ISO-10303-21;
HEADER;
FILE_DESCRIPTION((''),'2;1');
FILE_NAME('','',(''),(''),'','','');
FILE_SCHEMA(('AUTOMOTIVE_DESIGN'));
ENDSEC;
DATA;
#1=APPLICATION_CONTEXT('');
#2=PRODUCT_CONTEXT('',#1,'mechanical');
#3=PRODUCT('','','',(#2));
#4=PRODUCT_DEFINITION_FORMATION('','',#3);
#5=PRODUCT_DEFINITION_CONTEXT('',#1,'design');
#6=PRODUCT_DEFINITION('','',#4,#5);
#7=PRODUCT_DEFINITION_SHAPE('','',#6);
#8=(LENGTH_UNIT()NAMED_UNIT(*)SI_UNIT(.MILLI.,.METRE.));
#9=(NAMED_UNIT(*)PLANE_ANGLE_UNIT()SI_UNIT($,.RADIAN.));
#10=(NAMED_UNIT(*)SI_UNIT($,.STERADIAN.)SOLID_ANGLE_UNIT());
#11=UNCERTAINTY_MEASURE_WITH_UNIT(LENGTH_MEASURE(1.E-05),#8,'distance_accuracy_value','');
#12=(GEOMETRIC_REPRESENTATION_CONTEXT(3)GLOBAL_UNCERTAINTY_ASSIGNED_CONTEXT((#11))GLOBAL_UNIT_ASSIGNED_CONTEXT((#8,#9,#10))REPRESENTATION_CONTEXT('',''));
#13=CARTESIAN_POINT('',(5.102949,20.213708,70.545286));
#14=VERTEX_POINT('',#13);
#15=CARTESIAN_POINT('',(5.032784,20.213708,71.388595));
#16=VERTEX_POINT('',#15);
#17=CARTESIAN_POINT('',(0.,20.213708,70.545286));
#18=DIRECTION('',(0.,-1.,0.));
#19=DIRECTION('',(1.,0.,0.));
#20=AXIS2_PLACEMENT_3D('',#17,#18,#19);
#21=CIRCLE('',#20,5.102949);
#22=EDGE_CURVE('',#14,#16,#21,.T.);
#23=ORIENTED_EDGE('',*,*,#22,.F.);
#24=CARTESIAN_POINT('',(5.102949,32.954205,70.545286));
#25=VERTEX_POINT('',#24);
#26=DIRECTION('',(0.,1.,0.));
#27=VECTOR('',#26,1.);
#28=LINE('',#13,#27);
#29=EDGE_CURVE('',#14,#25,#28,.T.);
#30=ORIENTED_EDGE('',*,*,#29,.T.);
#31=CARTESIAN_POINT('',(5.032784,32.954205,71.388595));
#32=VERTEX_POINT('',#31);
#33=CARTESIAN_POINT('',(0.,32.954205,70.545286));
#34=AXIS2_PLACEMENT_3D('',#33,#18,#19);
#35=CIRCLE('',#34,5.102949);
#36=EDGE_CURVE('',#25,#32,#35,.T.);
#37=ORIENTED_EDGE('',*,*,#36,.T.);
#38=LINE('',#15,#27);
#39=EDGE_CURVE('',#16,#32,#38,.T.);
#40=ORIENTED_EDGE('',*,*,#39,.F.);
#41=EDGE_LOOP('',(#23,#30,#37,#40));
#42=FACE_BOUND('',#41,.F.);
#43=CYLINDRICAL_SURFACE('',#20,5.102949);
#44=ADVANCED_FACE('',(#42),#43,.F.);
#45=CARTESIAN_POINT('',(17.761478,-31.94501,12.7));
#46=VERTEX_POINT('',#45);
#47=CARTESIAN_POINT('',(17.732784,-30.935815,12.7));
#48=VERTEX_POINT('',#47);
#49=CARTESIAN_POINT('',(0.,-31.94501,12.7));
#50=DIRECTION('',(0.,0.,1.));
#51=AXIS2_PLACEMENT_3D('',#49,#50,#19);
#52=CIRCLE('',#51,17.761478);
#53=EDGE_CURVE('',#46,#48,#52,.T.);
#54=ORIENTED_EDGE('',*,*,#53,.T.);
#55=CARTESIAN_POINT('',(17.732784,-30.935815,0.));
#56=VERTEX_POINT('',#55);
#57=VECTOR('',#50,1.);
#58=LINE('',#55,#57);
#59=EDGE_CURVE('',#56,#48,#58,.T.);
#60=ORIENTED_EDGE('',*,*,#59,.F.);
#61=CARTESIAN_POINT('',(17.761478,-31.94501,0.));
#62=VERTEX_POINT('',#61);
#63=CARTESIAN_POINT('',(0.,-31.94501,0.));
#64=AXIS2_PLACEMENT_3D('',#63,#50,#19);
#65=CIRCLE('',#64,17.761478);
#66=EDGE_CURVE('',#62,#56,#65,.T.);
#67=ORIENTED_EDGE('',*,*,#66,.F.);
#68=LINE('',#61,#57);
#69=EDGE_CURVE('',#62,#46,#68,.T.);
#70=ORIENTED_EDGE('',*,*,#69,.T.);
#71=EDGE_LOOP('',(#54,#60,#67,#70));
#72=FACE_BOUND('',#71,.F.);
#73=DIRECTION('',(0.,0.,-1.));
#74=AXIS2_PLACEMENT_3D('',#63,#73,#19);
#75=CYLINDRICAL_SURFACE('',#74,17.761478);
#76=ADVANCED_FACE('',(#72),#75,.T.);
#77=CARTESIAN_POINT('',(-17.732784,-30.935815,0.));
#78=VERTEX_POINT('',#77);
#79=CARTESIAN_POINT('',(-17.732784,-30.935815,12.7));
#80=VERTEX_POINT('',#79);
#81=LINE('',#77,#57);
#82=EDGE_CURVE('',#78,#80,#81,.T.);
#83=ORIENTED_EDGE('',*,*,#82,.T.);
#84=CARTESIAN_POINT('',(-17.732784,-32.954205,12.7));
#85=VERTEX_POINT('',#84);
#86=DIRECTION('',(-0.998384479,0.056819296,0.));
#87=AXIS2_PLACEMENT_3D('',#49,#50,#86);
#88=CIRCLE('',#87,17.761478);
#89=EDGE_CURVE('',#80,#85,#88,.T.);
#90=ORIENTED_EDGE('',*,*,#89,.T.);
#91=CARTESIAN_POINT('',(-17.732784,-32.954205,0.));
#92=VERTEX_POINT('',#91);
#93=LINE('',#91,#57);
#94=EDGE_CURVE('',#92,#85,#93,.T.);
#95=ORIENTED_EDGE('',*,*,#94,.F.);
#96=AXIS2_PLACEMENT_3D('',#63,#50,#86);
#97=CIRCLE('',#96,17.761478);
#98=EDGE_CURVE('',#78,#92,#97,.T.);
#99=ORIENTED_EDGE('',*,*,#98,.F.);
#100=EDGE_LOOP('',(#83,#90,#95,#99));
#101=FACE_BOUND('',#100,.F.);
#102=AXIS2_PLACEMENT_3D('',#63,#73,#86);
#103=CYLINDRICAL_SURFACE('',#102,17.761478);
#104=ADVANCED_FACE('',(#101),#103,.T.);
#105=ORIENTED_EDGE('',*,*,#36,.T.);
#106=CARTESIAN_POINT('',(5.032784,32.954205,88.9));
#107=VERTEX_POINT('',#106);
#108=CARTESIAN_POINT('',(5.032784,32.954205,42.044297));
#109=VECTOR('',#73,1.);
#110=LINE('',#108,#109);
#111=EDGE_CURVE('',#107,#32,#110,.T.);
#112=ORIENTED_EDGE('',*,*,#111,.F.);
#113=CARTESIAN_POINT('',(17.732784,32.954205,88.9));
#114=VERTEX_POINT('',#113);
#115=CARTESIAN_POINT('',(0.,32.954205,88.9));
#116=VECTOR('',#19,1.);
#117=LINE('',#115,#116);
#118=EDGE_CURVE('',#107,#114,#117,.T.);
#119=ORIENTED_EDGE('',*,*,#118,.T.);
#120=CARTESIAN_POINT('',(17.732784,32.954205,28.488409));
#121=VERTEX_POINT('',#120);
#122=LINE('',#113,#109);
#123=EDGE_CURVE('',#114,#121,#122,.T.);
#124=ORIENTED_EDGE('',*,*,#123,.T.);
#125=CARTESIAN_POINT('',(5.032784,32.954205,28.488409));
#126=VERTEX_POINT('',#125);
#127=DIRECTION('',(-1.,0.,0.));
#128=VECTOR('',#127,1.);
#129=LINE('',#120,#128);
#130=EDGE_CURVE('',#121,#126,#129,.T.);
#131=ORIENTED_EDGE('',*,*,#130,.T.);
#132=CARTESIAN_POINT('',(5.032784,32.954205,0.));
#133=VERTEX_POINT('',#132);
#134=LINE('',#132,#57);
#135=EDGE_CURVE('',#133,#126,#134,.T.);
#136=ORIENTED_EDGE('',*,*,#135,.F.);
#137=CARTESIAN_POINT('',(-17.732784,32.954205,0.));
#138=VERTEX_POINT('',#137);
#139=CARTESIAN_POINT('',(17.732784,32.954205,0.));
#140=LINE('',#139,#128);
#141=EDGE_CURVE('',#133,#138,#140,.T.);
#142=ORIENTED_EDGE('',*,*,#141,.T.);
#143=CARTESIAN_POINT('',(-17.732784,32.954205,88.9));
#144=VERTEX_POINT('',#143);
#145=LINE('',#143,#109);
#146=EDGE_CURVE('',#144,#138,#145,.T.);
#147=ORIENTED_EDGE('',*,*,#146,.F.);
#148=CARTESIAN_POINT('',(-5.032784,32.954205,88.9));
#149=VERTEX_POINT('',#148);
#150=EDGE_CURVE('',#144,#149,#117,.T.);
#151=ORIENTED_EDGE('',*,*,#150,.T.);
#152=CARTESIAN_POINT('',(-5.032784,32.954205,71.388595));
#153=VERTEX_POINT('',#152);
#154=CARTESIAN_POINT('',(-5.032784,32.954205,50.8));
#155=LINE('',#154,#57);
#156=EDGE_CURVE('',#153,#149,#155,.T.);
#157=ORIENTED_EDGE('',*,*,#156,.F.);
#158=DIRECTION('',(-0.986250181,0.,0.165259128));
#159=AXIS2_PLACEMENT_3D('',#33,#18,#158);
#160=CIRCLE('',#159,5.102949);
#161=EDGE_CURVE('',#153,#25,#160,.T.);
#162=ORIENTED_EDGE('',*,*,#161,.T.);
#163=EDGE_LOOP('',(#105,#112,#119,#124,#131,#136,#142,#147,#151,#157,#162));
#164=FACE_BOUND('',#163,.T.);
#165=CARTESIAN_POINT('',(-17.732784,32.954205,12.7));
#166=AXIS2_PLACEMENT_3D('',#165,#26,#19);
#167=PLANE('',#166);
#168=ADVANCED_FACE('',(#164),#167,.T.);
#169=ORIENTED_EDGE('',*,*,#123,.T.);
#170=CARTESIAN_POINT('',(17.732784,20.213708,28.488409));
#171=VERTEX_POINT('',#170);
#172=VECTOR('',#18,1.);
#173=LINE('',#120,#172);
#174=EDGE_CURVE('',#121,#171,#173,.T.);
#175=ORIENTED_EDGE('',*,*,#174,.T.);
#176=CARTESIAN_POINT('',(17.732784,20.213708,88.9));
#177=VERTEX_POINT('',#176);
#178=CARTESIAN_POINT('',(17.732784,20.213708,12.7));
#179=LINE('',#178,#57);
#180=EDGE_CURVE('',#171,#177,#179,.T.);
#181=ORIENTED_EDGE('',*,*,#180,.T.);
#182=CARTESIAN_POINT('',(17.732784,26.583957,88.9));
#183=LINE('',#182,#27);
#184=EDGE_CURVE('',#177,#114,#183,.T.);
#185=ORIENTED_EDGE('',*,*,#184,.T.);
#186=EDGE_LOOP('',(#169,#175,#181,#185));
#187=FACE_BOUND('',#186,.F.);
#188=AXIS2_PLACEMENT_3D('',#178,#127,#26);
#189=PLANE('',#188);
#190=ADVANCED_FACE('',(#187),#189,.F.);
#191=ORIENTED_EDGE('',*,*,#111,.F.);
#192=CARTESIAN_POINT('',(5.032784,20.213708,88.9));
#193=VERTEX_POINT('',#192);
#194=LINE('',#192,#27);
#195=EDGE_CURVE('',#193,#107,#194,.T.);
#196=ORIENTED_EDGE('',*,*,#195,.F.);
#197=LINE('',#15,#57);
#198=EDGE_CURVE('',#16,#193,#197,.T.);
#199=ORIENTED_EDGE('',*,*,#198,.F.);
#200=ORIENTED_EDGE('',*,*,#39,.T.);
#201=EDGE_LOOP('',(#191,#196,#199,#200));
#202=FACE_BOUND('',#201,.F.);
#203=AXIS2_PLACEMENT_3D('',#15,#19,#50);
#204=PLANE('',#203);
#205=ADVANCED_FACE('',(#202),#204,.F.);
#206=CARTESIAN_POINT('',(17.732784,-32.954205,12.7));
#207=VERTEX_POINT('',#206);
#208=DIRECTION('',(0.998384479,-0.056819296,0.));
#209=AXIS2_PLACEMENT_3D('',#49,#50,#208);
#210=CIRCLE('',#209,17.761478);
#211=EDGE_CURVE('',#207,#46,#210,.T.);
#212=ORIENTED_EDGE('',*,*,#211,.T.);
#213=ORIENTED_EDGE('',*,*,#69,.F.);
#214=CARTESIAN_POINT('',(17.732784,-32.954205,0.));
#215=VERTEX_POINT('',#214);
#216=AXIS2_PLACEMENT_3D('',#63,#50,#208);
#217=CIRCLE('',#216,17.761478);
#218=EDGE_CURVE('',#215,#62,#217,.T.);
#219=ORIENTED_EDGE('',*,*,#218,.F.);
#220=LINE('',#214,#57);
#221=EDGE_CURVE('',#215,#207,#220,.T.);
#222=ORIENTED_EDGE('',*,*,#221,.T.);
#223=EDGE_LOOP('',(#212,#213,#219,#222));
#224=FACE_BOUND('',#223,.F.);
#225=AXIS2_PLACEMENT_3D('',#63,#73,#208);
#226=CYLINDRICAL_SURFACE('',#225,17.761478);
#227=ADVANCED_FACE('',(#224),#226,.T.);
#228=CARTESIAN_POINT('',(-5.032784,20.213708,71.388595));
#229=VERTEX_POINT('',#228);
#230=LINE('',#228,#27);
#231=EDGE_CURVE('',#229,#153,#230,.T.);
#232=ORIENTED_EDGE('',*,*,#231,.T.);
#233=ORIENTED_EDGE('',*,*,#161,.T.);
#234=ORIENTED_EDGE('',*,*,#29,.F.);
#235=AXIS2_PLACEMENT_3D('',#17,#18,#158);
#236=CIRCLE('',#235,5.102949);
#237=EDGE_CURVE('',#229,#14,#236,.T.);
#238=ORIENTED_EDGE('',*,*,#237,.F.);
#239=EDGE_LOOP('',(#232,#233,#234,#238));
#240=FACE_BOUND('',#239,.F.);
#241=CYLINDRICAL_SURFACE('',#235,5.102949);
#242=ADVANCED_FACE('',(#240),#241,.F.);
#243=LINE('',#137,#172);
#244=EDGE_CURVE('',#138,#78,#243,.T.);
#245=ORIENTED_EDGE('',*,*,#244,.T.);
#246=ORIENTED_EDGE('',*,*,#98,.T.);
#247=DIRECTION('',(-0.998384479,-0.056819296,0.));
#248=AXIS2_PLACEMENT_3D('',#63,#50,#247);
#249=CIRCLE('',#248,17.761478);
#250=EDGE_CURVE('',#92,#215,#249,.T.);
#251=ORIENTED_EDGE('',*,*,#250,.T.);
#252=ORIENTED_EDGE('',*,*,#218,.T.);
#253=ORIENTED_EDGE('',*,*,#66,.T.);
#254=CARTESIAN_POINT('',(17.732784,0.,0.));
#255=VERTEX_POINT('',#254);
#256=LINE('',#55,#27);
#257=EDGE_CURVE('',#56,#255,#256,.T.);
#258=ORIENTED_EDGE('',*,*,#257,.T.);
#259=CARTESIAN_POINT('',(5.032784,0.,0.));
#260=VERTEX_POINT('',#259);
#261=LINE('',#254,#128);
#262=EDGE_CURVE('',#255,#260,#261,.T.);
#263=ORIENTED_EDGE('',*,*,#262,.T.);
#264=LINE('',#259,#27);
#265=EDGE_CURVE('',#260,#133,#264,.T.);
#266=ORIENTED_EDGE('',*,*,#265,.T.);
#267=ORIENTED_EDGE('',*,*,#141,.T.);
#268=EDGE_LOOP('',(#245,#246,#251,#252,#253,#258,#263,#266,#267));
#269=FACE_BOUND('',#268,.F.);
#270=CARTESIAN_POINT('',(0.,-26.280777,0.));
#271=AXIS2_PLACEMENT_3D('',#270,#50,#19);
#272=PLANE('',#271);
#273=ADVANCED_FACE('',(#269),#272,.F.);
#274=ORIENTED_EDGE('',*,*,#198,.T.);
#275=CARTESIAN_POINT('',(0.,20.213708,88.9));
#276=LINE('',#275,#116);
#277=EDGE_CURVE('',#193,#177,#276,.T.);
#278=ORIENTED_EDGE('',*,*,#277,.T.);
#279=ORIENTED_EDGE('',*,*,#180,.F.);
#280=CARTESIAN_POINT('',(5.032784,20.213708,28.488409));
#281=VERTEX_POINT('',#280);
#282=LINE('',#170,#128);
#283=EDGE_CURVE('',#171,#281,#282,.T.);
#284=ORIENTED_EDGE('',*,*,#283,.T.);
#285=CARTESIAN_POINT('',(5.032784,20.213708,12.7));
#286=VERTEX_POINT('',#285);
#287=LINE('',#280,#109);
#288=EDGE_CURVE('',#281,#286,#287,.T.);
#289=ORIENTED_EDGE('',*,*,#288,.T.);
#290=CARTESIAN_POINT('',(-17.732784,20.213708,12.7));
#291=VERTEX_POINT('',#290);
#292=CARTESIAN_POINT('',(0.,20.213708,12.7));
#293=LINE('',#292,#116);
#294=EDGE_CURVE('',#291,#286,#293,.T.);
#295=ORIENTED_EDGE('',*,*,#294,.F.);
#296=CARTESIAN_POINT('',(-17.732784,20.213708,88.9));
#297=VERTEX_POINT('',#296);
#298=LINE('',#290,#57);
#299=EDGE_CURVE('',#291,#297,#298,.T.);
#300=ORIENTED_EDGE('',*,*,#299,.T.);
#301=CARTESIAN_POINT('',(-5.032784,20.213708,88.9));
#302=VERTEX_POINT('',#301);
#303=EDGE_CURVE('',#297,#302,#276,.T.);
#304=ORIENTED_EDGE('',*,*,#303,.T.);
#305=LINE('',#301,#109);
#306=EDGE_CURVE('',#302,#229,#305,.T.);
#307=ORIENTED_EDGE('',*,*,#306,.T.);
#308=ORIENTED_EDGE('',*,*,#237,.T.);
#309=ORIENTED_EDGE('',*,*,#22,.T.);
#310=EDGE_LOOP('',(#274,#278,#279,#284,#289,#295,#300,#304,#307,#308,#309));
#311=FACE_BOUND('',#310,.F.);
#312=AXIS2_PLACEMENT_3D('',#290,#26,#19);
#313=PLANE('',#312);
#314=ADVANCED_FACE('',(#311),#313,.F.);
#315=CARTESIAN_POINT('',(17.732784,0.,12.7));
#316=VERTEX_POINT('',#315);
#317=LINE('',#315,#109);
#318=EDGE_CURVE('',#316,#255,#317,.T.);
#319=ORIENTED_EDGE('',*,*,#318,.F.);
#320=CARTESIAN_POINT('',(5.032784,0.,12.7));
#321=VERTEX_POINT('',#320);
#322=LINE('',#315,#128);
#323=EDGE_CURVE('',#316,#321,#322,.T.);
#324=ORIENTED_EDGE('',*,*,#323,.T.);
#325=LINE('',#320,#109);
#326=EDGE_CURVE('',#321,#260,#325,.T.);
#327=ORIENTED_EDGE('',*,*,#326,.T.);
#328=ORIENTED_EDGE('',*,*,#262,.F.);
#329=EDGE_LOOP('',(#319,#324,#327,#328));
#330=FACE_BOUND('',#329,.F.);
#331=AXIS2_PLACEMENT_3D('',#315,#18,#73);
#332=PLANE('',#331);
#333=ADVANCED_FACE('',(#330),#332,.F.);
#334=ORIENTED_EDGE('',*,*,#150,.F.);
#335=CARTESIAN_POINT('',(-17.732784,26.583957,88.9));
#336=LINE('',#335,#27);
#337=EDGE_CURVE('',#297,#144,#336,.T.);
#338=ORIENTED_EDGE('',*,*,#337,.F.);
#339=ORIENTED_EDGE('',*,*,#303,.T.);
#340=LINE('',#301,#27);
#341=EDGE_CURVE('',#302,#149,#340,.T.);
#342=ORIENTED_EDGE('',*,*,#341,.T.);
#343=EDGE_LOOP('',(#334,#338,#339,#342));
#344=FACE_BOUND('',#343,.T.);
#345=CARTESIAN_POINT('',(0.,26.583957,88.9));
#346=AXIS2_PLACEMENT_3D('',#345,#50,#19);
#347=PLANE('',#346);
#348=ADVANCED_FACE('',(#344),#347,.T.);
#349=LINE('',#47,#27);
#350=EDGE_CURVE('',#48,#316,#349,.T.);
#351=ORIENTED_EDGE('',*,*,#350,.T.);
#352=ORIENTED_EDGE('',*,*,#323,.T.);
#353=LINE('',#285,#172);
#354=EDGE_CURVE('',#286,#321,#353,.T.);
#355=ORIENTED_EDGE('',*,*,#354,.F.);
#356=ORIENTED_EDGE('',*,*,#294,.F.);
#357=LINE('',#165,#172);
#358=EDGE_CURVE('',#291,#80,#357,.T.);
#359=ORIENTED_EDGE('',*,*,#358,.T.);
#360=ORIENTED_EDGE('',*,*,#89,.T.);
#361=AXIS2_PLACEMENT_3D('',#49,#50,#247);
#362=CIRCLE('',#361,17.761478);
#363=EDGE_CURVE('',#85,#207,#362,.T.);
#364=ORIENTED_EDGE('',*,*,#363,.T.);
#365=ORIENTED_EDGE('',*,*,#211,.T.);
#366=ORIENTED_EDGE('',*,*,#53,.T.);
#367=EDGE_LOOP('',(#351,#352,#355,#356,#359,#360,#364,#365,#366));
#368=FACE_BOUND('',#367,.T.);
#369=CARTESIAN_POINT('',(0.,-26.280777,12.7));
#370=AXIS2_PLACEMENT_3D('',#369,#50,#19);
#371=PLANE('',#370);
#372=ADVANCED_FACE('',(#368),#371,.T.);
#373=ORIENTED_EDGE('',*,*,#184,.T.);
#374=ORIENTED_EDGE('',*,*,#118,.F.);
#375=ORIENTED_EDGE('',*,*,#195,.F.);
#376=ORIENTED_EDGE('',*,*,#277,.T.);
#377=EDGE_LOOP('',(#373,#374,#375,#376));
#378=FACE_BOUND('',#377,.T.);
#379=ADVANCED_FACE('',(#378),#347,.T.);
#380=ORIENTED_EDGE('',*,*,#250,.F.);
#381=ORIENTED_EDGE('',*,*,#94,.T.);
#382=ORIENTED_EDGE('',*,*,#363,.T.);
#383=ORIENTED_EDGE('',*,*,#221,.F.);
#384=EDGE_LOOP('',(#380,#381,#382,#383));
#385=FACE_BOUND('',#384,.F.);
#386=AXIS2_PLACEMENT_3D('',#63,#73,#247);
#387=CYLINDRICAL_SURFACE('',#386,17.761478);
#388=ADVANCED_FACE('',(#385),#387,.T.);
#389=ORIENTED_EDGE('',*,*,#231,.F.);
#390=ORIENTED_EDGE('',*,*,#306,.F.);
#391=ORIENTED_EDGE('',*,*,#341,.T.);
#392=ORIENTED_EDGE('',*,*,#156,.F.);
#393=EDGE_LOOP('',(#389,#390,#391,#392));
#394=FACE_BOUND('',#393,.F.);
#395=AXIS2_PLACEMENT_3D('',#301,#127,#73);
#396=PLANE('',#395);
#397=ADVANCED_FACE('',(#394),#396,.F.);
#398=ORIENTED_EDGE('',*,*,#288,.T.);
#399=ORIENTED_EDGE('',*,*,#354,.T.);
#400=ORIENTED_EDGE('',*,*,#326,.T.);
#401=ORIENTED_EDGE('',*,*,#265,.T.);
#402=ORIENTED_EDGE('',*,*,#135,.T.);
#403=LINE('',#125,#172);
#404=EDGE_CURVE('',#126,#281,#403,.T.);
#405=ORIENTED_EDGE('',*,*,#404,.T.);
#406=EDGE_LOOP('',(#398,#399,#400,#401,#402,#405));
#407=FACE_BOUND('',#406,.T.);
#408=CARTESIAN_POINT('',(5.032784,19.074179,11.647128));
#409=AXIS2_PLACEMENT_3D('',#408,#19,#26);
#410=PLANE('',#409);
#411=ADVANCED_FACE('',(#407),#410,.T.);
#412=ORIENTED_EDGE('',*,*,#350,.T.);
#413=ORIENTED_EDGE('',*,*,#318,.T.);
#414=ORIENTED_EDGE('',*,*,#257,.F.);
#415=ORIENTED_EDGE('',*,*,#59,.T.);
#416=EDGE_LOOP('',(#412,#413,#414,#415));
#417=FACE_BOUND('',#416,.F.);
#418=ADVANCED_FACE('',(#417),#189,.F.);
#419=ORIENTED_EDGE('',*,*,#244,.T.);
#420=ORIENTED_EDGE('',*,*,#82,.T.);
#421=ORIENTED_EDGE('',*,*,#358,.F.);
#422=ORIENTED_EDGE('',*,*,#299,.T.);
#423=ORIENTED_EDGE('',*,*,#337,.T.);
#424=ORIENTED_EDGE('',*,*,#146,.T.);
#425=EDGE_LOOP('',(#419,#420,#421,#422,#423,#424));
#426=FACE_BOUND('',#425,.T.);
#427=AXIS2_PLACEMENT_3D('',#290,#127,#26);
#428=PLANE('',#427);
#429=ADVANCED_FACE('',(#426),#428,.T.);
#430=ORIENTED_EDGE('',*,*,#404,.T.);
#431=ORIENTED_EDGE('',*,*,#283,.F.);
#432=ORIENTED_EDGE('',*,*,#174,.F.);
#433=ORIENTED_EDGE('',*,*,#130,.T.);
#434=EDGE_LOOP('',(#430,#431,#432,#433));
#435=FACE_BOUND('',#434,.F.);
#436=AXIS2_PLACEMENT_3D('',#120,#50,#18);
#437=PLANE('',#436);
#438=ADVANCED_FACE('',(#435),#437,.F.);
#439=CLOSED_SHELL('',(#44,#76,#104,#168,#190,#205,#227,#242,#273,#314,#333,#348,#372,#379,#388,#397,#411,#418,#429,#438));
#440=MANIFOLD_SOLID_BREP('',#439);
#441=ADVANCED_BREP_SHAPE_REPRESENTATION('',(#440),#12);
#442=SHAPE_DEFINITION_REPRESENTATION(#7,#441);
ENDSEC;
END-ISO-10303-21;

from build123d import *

# Parameters (mm, degrees)
F1_DEPTH = 12.7
F2_W     = 35.4655683041
F2_H     = 12.740496546
F3_DEPTH = 76.2
F5_DEPTH = 25.4
F7_DEPTH = 12.7


with BuildPart() as f1:
    # F0 (on Top) → F1 (new body)
    with BuildSketch(Plane.XY):
        with BuildLine():
            Line((-17.732784152, -30.9358154462), (-17.732784152, -32.9542048275))
            Line((-17.732784152, -32.9542048275), (17.732784152, -32.9542048275))
            Line((17.732784152, -32.9542048275), (17.732784152, -30.9358154462))
            ThreePointArc((17.732784152, -30.9358154462), (0, -14.1835319409), (-17.732784152, -30.9358154462))
        make_face()
        with BuildLine():
            ThreePointArc((-17.732784152, -30.9358154462), (-17.761478196, -31.9450101369), (-17.732784152, -32.9542048275))
            Line((-17.732784152, -32.9542048275), (-17.732784152, -30.9358154462))
        make_face()
        with BuildLine():
            Line((17.732784152, -32.9542048275), (-17.732784152, -32.9542048275))
            ThreePointArc((-17.732784152, -32.9542048275), (0, -49.7064883328), (17.732784152, -32.9542048275))
        make_face()
        with BuildLine():
            Line((17.732784152, -30.9358154462), (17.732784152, -32.9542048275))
            ThreePointArc((17.732784152, -32.9542048275), (17.7543032358, -32.4498114027), (17.761478196, -31.9450101369))
            ThreePointArc((17.761478196, -31.9450101369), (17.7543032358, -31.440208871), (17.732784152, -30.9358154462))
        make_face()
        with BuildLine():
            Line((-17.732784152, 32.9542048275), (-17.732784152, -30.9358154462))
            ThreePointArc((-17.732784152, -30.9358154462), (0, -14.1835319409), (17.732784152, -30.9358154462))
            Line((17.732784152, -30.9358154462), (17.732784152, 32.9542048275))
            Line((17.732784152, 32.9542048275), (-17.732784152, 32.9542048275))
        make_face()
    extrude(amount=F1_DEPTH)

    # F2 (on face) → F3 (join)
    with BuildSketch(Plane.XY.offset(12.7)):
        with Locations((0, 26.5839565545)):
            Rectangle(F2_W, F2_H)
    extrude(amount=F3_DEPTH)

    # F4 (on face) → F5 (cut)
    with BuildSketch(Plane.XZ.offset(-20.2137082815)):
        with BuildLine():
            Line((5.032784152, 88.9), (-5.032784152, 88.9))
            Line((-5.032784152, 88.9), (-5.032784152, 71.3885948062))
            ThreePointArc((-5.032784152, 71.3885948062), (0, 75.6482347117), (5.032784152, 71.3885948062))
            Line((5.032784152, 71.3885948062), (5.032784152, 88.9))
        make_face()
        with BuildLine():
            ThreePointArc((5.032784152, 71.3885948062), (0, 75.6482347117), (-5.032784152, 71.3885948062))
            Line((-5.032784152, 71.3885948062), (5.032784152, 71.3885948062))
        make_face()
        with BuildLine():
            Line((5.032784152, 71.3885948062), (-5.032784152, 71.3885948062))
            ThreePointArc((-5.032784152, 71.3885948062), (-0.4231113675, 65.4599085761), (5.1029487715, 70.5452859402))
            ThreePointArc((5.1029487715, 70.5452859402), (5.0853773641, 70.9683973077), (5.032784152, 71.3885948062))
        make_face()
    extrude(amount=-F5_DEPTH, mode=Mode.SUBTRACT)

    # F6 (on face) → F7 (cut)
    with BuildSketch(Plane.YZ.offset(17.732784152)):
        Polygon((0, 0), (32.9542048275, 0), (32.9542048275, 28.4884087741), (20.2137082815, 28.4884087741), (20.2137082815, 12.7), (0, 12.7), align=None)
    extrude(amount=-F7_DEPTH, mode=Mode.SUBTRACT)


solid = f1.part
